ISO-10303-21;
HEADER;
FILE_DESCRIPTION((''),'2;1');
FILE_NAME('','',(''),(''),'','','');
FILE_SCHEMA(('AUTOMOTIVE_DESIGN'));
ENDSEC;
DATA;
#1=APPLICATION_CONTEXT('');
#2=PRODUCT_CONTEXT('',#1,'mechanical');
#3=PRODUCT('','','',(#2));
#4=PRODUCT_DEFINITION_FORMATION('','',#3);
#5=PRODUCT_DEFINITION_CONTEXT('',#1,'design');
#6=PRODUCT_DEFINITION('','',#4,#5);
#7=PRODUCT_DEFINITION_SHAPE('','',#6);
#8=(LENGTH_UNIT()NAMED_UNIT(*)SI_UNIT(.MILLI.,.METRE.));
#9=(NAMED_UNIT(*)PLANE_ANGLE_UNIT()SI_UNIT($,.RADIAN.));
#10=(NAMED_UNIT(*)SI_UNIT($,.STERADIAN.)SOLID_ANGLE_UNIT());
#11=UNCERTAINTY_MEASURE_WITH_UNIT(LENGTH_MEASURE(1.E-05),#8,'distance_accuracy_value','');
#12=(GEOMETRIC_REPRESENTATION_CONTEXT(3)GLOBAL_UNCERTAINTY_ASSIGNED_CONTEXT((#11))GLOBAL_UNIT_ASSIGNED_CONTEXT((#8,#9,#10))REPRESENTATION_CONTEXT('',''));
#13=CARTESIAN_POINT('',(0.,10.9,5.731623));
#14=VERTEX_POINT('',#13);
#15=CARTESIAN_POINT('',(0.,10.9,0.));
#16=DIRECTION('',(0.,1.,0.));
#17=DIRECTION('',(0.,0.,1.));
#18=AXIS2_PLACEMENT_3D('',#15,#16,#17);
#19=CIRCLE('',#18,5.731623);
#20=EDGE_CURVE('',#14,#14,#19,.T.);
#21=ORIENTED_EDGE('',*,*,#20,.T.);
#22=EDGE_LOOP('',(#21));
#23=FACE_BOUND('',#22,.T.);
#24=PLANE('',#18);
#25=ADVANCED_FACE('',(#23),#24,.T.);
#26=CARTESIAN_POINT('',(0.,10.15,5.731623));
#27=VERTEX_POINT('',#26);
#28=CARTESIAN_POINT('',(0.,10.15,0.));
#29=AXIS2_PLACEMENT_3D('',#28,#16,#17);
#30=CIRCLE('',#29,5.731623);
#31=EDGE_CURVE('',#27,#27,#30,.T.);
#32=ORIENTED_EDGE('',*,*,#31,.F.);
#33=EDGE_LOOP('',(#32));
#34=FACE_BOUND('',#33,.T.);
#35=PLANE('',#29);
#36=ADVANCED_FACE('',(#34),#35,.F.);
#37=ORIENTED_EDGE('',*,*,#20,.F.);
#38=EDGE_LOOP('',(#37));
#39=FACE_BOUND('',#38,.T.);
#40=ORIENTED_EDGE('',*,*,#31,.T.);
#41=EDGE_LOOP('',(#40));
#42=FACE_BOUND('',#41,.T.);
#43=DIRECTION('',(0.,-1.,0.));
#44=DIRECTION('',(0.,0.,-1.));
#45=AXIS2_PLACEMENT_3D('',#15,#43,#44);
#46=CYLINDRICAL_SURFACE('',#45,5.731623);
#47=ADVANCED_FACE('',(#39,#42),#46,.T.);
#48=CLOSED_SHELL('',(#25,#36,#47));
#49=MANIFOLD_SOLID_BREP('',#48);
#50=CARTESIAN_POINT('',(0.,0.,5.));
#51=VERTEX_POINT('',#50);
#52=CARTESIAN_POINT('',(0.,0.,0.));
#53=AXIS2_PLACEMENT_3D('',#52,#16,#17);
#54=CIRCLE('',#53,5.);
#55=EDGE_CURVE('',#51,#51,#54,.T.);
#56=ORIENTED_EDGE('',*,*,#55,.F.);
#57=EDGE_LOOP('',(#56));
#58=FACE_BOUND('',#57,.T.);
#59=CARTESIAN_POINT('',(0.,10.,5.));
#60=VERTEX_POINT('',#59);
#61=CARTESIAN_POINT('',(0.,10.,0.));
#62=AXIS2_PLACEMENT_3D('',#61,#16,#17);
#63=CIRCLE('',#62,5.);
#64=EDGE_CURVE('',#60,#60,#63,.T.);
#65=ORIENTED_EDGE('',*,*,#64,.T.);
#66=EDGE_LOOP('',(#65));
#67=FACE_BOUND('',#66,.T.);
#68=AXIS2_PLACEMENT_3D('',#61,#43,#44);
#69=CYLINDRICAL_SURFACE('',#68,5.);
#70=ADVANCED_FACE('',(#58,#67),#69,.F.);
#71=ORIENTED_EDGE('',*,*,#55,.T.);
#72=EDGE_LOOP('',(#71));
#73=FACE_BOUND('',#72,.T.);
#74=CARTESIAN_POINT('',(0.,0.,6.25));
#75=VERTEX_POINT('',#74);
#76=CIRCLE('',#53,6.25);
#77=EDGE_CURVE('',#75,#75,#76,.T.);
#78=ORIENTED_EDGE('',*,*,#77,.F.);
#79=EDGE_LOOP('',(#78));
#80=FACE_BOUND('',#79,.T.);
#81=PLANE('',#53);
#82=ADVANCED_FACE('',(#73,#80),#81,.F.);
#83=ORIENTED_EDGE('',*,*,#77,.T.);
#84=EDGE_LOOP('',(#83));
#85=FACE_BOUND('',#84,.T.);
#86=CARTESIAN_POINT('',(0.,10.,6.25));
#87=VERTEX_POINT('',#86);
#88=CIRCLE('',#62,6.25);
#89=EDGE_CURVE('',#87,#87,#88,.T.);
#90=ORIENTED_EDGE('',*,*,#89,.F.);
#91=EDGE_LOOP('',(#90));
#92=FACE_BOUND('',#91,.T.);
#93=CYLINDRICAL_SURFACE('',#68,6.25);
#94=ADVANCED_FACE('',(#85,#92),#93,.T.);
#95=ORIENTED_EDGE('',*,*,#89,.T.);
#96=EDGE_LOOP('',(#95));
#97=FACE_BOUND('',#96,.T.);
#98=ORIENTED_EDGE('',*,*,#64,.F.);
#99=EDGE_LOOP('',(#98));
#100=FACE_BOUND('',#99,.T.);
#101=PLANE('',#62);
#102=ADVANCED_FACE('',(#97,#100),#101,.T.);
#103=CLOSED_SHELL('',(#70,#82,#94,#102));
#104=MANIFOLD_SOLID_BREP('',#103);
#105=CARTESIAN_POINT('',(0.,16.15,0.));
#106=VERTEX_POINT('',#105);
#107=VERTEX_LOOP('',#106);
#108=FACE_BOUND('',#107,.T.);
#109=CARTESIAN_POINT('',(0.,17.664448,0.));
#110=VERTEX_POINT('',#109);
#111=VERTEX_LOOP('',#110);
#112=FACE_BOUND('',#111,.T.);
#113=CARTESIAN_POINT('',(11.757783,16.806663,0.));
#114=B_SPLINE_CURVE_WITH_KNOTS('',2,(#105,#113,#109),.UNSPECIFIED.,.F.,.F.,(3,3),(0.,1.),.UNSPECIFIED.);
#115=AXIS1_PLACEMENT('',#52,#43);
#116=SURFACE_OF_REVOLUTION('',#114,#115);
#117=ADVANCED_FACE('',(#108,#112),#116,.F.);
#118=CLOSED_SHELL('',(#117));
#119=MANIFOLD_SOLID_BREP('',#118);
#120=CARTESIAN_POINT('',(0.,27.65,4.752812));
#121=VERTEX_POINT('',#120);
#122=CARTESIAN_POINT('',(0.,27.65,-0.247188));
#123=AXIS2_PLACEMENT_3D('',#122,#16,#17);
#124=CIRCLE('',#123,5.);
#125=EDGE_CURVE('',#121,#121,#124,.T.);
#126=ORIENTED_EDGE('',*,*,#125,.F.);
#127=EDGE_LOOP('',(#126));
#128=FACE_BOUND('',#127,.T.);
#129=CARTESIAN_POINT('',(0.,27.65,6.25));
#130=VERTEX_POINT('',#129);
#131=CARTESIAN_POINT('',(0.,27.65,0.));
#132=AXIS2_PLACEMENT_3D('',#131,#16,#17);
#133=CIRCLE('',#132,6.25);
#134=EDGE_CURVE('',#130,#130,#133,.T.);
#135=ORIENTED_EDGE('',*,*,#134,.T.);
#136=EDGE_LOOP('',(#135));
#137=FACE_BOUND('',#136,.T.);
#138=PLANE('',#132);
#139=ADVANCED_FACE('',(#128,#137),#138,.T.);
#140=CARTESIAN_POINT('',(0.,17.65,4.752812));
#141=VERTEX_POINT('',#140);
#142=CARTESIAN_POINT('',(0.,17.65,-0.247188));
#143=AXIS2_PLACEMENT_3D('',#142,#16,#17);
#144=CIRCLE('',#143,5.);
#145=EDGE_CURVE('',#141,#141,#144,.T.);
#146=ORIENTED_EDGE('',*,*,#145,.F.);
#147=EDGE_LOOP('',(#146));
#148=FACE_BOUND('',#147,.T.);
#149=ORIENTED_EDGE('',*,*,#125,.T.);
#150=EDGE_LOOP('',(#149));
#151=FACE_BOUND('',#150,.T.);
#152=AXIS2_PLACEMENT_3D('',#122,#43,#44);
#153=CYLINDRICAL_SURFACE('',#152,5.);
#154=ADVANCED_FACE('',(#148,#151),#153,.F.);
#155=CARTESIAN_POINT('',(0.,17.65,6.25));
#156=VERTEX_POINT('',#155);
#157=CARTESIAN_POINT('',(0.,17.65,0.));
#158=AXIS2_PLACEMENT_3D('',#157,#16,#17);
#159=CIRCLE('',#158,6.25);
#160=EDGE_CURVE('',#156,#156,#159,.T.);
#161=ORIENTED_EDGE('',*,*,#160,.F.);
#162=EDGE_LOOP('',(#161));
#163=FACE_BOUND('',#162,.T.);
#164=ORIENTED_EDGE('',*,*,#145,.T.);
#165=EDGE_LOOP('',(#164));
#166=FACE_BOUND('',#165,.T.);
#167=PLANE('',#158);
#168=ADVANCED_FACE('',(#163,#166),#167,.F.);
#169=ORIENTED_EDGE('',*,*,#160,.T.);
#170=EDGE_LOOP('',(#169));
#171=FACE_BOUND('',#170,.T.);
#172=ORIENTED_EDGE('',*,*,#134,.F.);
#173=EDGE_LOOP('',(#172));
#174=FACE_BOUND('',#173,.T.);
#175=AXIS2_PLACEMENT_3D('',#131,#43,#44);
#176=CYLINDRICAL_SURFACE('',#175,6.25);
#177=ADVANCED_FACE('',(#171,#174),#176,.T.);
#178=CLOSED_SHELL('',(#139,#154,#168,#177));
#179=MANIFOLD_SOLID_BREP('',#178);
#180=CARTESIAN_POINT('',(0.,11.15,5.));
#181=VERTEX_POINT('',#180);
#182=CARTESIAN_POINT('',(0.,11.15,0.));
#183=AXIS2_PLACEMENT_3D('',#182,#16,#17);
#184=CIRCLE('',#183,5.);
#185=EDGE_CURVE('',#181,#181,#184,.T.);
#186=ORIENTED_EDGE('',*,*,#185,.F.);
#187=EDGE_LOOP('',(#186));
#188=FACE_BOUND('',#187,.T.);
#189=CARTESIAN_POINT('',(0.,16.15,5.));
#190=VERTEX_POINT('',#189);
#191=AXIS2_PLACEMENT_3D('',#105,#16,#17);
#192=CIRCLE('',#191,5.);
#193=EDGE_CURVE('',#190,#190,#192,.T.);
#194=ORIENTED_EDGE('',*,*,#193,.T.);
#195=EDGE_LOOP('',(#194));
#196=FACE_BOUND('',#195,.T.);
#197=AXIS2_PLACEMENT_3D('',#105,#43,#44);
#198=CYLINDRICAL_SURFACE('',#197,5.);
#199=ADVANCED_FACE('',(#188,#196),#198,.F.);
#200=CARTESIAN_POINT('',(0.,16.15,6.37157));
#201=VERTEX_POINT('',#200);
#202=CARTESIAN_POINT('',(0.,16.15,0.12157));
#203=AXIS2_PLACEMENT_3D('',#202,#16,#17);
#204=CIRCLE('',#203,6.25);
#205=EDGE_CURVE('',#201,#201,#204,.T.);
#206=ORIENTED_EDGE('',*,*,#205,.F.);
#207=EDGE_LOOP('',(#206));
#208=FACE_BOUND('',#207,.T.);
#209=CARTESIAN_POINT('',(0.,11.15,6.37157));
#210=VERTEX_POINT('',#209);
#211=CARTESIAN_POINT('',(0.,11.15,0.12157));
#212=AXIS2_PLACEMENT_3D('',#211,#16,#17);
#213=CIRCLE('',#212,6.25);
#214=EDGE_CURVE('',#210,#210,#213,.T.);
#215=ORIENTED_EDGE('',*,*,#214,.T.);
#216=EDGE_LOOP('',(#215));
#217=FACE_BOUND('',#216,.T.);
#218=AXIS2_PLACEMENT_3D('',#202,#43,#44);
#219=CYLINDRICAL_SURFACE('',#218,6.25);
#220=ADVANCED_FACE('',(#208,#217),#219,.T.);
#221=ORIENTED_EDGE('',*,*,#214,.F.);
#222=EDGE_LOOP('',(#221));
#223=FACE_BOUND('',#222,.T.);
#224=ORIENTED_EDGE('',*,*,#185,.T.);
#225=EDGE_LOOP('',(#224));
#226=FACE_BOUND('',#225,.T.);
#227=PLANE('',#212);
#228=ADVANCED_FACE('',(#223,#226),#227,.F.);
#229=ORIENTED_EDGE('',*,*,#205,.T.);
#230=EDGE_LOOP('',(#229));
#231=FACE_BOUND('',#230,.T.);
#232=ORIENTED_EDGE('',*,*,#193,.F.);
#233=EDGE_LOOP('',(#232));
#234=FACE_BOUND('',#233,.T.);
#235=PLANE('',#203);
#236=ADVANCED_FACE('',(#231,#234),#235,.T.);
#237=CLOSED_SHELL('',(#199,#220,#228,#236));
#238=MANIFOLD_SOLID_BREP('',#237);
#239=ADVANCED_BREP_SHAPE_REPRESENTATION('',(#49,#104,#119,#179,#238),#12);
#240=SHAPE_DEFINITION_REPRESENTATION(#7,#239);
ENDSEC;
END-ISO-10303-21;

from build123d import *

# Parameters (mm, degrees)
SKETCH_2_R      = 6.25
SKETCH_2_R_2    = 5
EXTRUDE_1_DEPTH = 10
EXTRUDE_START   = 0.15
SKETCH_3_R      = 5.731622833
EXTRUDE_2_DEPTH = 0.75
EXTRUDE_START_2 = 0.25
SKETCH_4_R      = 6.25
SKETCH_4_R_2    = 5
EXTRUDE_3_DEPTH = 5
EXTRUDE_START_3 = 1.5
SKETCH_6_R      = 6.25
SKETCH_6_R_2    = 5
EXTRUDE_4_DEPTH = 10


with BuildPart() as part:
    # 草图2 → 凸台-拉伸1 (new body)
    with BuildSketch(Plane(origin=(0, 0, 0), x_dir=(1, 0, 0), z_dir=(0, 1, 0))):
        Circle(SKETCH_2_R)
        Circle(SKETCH_2_R_2, mode=Mode.SUBTRACT)
    extrude(amount=EXTRUDE_1_DEPTH)


with BuildPart() as body_2:
    # 草图3 → 凸台-拉伸2 (new body)
    with BuildSketch(Plane(origin=(0, 10, 0), x_dir=(1, 0, 0), z_dir=(0, 1, 0)).offset(EXTRUDE_START)):
        Circle(SKETCH_3_R)
    extrude(amount=EXTRUDE_2_DEPTH)


with BuildPart() as body_3:
    # 草图4 → 凸台-拉伸3 (new body)
    with BuildSketch(Plane(origin=(0, 10.9, 0), x_dir=(1, 0, 0), z_dir=(0, 1, 0)).offset(EXTRUDE_START_2)):
        with Locations((0, -0.121569805)):
            Circle(SKETCH_4_R)
        Circle(SKETCH_4_R_2, mode=Mode.SUBTRACT)
    extrude(amount=EXTRUDE_3_DEPTH)


with BuildPart() as body_4:
    # 草图5 → 旋转1 (revolve)
    with BuildSketch(Plane.XY):
        with BuildLine():
            Line((0, 17.664448142), (0, 16.15))
            add(Edge.make_bspline(
                [(0, 16.15), (11.757782886, 16.806663198), (0, 17.664448142)],
                knots=[0, 0, 0, 1, 1, 1], degree=2))
        make_face()
    revolve(axis=Axis((0, 0, 0), (0, 1, 0)))


with BuildPart() as body_5:
    # 草图6 → 凸台-拉伸4 (new body)
    with BuildSketch(Plane(origin=(0, 16.15, 0), x_dir=(1, 0, 0), z_dir=(0, 1, 0)).offset(EXTRUDE_START_3)):
        Circle(SKETCH_6_R)
        with Locations((0, 0.247187806)):
            Circle(SKETCH_6_R_2, mode=Mode.SUBTRACT)
    extrude(amount=EXTRUDE_4_DEPTH)


solid = Compound([part.part, body_2.part, body_3.part, body_4.part, body_5.part])
